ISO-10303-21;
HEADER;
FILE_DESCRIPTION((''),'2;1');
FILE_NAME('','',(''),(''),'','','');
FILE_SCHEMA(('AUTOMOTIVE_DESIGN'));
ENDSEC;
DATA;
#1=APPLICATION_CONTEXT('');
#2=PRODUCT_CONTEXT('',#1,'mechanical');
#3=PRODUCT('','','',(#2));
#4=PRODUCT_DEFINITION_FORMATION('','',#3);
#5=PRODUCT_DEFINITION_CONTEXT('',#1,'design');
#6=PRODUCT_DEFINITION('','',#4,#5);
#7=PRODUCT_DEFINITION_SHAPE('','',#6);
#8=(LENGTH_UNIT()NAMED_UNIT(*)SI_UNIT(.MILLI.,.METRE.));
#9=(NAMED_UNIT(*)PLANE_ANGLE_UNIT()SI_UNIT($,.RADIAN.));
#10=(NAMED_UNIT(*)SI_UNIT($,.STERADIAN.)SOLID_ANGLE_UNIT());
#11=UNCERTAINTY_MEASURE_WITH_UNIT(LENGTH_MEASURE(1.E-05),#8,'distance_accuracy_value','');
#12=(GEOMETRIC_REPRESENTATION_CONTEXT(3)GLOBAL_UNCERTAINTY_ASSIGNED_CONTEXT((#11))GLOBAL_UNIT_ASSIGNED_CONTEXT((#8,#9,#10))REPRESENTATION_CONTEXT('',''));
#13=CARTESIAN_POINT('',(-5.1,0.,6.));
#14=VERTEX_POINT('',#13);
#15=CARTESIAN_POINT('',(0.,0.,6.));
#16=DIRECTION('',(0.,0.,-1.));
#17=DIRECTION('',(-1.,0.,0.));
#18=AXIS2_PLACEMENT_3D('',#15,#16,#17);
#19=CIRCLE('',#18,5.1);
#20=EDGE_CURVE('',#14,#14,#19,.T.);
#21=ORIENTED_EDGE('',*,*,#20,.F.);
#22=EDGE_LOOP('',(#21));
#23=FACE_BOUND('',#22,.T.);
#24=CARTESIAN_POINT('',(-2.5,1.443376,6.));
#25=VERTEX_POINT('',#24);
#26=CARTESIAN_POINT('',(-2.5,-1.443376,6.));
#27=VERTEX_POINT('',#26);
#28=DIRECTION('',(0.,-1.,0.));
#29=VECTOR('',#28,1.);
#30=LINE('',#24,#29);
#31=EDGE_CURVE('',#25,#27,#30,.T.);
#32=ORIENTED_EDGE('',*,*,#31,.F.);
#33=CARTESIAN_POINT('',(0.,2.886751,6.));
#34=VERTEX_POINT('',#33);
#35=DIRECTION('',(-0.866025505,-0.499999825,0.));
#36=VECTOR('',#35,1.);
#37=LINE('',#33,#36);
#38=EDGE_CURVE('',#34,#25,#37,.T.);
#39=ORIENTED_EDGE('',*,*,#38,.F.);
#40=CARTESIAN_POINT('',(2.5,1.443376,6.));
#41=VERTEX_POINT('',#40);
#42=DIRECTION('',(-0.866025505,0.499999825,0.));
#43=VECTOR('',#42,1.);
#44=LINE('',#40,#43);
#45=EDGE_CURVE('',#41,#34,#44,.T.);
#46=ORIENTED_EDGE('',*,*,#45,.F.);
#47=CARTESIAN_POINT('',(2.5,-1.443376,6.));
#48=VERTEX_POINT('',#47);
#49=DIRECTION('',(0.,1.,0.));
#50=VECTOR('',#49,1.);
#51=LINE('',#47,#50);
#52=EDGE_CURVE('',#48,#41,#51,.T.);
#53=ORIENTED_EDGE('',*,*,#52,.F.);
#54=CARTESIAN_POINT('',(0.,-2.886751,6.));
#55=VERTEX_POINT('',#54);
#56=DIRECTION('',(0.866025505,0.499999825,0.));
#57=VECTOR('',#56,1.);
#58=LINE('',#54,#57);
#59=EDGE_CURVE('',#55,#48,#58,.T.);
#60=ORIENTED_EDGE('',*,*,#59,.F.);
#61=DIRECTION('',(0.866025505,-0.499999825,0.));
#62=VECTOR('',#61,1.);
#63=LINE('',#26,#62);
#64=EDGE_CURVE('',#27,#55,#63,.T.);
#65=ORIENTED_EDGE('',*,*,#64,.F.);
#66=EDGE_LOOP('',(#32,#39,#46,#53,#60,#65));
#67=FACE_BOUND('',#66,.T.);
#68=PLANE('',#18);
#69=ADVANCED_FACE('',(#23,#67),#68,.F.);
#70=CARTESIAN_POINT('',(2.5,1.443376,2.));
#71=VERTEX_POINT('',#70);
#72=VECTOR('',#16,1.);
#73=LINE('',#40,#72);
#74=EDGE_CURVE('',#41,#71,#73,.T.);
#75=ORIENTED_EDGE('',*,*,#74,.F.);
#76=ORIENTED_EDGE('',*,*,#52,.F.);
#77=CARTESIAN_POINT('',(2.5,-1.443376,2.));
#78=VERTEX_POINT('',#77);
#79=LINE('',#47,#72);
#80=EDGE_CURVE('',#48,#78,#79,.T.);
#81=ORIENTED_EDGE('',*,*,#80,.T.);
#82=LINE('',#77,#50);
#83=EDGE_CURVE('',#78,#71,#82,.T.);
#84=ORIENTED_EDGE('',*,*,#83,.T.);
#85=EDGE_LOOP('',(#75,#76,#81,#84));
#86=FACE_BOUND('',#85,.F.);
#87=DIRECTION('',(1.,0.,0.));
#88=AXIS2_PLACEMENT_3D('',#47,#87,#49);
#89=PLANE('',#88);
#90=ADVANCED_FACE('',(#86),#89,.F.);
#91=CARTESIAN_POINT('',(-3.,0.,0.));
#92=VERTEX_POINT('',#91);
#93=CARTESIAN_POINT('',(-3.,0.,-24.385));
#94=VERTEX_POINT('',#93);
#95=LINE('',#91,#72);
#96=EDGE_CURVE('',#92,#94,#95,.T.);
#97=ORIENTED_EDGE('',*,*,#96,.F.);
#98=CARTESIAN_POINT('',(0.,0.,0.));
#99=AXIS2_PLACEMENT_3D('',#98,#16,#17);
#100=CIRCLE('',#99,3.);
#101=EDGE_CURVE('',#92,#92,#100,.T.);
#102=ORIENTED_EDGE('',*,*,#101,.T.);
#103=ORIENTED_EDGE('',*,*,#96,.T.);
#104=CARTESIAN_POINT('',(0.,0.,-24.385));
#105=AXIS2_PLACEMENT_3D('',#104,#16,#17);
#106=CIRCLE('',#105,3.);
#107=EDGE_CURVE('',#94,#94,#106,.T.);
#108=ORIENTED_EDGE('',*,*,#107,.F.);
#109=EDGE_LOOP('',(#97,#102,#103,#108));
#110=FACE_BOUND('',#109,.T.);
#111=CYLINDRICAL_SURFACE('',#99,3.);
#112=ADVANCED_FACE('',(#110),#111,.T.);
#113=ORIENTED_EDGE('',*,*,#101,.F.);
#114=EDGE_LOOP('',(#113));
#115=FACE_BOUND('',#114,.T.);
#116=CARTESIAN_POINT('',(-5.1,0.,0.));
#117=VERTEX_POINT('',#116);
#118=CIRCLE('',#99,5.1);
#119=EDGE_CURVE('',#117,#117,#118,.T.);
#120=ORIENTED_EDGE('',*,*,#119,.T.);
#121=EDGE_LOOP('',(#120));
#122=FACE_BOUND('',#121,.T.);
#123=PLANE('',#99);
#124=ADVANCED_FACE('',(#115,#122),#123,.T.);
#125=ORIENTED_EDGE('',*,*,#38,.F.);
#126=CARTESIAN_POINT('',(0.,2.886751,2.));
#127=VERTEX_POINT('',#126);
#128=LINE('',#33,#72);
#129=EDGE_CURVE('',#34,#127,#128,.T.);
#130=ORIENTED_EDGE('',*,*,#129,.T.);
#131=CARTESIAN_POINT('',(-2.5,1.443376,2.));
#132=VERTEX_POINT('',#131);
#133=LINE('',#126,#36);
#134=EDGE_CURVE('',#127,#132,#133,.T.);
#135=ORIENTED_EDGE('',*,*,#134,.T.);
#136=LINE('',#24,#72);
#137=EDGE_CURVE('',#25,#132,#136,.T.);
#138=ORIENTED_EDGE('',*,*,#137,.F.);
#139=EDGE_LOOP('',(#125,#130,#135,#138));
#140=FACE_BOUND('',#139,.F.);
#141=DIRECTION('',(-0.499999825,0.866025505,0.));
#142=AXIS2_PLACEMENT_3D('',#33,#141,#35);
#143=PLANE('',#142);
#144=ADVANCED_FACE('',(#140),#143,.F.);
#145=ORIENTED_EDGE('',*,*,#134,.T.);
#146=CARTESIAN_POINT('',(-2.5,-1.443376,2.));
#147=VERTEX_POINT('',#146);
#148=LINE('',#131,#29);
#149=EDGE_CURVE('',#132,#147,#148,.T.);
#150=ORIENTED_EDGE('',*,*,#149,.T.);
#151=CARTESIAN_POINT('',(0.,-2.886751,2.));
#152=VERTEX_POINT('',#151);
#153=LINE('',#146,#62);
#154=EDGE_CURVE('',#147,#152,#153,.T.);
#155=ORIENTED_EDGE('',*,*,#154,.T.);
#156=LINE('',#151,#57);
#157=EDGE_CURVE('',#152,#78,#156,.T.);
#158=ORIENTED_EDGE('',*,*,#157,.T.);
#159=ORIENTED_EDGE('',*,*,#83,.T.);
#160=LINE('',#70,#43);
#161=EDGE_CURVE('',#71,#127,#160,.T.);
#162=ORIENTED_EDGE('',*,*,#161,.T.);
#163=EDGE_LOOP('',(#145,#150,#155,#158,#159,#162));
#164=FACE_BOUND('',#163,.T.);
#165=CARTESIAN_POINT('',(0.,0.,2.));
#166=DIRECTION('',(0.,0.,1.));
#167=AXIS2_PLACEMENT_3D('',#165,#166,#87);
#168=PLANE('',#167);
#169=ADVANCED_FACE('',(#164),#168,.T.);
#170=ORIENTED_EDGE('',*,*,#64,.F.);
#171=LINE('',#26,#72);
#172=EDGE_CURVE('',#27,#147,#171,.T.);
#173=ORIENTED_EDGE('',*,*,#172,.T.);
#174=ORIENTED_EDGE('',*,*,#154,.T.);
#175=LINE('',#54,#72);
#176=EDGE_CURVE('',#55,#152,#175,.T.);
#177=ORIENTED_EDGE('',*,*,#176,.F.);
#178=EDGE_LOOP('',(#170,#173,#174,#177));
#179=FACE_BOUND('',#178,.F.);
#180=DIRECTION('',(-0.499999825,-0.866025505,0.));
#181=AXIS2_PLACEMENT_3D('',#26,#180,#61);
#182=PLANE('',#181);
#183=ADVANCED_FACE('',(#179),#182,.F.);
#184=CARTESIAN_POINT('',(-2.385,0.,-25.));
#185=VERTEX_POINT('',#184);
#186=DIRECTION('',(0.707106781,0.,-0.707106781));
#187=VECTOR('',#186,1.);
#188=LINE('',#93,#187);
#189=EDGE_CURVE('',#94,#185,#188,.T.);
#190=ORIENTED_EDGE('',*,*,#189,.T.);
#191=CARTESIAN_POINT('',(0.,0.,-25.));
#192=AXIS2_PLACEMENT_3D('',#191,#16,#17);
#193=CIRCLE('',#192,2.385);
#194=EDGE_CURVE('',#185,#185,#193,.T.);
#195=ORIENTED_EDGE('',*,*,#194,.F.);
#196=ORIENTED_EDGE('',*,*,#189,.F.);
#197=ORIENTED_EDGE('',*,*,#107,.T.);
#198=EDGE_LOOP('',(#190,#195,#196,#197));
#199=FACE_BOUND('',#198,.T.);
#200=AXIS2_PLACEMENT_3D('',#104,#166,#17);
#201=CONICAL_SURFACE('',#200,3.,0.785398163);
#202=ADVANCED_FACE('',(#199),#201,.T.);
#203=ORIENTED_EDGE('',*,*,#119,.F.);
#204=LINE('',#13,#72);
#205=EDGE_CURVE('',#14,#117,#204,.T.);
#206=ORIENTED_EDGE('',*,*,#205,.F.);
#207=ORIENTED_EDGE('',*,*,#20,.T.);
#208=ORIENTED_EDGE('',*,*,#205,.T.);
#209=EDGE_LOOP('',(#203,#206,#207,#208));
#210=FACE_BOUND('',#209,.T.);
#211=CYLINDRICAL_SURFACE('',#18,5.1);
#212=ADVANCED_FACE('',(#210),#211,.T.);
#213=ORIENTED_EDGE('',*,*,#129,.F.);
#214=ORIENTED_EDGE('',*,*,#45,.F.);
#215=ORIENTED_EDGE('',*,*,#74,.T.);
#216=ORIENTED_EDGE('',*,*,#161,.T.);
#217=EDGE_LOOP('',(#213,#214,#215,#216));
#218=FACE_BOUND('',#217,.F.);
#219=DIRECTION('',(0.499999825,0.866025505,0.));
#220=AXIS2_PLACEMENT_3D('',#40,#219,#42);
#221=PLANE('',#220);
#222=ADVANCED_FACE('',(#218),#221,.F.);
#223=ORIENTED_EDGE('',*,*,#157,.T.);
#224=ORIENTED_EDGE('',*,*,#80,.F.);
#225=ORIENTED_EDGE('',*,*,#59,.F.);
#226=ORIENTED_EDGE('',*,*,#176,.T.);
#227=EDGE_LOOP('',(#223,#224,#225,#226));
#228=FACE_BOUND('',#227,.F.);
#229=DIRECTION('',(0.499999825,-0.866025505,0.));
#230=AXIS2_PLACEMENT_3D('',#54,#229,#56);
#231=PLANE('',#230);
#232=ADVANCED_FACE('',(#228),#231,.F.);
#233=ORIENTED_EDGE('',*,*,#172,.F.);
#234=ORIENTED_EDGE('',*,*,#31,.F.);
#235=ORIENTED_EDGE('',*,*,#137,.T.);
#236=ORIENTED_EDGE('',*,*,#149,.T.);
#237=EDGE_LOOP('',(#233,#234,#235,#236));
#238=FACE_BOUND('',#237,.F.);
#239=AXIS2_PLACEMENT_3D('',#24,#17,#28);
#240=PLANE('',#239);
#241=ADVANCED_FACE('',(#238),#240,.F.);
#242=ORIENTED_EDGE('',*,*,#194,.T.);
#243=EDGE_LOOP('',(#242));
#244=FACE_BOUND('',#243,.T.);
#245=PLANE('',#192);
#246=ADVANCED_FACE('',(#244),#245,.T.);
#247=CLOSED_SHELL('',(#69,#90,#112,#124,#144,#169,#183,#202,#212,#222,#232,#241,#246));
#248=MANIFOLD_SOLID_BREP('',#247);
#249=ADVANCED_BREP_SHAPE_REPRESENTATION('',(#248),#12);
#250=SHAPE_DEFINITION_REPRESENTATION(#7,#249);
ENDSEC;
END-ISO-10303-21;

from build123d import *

# Parameters (mm, degrees)
F4_DEPTH      = 4
F4_DEPTH_BACK = 4


with BuildPart() as f1:
    # F0 (on Front) → F1 (revolve)
    with BuildSketch(Plane.XZ):
        Polygon((0, 6), (-5.1, 6), (-5.1, 0), (-3, 0), (-3, -24.385), (-2.385, -25), (0, -25), align=None)
    revolve(axis=Axis((0, 0, -9.5), (0, 0, -1)))

    # F3 (on offset) → F4 (cut, two sides)
    with BuildSketch(Plane.XY.offset(6)) as f4_sk:
        Polygon((2.5, -1.443376), (2.5, 1.443376), (0, 2.886751), (-2.5, 1.443376), (-2.5, -1.443376), (0, -2.886751), align=None)
    extrude(amount=-F4_DEPTH, mode=Mode.SUBTRACT)
    extrude(f4_sk.sketch, amount=-F4_DEPTH_BACK, mode=Mode.SUBTRACT)


solid = f1.part
